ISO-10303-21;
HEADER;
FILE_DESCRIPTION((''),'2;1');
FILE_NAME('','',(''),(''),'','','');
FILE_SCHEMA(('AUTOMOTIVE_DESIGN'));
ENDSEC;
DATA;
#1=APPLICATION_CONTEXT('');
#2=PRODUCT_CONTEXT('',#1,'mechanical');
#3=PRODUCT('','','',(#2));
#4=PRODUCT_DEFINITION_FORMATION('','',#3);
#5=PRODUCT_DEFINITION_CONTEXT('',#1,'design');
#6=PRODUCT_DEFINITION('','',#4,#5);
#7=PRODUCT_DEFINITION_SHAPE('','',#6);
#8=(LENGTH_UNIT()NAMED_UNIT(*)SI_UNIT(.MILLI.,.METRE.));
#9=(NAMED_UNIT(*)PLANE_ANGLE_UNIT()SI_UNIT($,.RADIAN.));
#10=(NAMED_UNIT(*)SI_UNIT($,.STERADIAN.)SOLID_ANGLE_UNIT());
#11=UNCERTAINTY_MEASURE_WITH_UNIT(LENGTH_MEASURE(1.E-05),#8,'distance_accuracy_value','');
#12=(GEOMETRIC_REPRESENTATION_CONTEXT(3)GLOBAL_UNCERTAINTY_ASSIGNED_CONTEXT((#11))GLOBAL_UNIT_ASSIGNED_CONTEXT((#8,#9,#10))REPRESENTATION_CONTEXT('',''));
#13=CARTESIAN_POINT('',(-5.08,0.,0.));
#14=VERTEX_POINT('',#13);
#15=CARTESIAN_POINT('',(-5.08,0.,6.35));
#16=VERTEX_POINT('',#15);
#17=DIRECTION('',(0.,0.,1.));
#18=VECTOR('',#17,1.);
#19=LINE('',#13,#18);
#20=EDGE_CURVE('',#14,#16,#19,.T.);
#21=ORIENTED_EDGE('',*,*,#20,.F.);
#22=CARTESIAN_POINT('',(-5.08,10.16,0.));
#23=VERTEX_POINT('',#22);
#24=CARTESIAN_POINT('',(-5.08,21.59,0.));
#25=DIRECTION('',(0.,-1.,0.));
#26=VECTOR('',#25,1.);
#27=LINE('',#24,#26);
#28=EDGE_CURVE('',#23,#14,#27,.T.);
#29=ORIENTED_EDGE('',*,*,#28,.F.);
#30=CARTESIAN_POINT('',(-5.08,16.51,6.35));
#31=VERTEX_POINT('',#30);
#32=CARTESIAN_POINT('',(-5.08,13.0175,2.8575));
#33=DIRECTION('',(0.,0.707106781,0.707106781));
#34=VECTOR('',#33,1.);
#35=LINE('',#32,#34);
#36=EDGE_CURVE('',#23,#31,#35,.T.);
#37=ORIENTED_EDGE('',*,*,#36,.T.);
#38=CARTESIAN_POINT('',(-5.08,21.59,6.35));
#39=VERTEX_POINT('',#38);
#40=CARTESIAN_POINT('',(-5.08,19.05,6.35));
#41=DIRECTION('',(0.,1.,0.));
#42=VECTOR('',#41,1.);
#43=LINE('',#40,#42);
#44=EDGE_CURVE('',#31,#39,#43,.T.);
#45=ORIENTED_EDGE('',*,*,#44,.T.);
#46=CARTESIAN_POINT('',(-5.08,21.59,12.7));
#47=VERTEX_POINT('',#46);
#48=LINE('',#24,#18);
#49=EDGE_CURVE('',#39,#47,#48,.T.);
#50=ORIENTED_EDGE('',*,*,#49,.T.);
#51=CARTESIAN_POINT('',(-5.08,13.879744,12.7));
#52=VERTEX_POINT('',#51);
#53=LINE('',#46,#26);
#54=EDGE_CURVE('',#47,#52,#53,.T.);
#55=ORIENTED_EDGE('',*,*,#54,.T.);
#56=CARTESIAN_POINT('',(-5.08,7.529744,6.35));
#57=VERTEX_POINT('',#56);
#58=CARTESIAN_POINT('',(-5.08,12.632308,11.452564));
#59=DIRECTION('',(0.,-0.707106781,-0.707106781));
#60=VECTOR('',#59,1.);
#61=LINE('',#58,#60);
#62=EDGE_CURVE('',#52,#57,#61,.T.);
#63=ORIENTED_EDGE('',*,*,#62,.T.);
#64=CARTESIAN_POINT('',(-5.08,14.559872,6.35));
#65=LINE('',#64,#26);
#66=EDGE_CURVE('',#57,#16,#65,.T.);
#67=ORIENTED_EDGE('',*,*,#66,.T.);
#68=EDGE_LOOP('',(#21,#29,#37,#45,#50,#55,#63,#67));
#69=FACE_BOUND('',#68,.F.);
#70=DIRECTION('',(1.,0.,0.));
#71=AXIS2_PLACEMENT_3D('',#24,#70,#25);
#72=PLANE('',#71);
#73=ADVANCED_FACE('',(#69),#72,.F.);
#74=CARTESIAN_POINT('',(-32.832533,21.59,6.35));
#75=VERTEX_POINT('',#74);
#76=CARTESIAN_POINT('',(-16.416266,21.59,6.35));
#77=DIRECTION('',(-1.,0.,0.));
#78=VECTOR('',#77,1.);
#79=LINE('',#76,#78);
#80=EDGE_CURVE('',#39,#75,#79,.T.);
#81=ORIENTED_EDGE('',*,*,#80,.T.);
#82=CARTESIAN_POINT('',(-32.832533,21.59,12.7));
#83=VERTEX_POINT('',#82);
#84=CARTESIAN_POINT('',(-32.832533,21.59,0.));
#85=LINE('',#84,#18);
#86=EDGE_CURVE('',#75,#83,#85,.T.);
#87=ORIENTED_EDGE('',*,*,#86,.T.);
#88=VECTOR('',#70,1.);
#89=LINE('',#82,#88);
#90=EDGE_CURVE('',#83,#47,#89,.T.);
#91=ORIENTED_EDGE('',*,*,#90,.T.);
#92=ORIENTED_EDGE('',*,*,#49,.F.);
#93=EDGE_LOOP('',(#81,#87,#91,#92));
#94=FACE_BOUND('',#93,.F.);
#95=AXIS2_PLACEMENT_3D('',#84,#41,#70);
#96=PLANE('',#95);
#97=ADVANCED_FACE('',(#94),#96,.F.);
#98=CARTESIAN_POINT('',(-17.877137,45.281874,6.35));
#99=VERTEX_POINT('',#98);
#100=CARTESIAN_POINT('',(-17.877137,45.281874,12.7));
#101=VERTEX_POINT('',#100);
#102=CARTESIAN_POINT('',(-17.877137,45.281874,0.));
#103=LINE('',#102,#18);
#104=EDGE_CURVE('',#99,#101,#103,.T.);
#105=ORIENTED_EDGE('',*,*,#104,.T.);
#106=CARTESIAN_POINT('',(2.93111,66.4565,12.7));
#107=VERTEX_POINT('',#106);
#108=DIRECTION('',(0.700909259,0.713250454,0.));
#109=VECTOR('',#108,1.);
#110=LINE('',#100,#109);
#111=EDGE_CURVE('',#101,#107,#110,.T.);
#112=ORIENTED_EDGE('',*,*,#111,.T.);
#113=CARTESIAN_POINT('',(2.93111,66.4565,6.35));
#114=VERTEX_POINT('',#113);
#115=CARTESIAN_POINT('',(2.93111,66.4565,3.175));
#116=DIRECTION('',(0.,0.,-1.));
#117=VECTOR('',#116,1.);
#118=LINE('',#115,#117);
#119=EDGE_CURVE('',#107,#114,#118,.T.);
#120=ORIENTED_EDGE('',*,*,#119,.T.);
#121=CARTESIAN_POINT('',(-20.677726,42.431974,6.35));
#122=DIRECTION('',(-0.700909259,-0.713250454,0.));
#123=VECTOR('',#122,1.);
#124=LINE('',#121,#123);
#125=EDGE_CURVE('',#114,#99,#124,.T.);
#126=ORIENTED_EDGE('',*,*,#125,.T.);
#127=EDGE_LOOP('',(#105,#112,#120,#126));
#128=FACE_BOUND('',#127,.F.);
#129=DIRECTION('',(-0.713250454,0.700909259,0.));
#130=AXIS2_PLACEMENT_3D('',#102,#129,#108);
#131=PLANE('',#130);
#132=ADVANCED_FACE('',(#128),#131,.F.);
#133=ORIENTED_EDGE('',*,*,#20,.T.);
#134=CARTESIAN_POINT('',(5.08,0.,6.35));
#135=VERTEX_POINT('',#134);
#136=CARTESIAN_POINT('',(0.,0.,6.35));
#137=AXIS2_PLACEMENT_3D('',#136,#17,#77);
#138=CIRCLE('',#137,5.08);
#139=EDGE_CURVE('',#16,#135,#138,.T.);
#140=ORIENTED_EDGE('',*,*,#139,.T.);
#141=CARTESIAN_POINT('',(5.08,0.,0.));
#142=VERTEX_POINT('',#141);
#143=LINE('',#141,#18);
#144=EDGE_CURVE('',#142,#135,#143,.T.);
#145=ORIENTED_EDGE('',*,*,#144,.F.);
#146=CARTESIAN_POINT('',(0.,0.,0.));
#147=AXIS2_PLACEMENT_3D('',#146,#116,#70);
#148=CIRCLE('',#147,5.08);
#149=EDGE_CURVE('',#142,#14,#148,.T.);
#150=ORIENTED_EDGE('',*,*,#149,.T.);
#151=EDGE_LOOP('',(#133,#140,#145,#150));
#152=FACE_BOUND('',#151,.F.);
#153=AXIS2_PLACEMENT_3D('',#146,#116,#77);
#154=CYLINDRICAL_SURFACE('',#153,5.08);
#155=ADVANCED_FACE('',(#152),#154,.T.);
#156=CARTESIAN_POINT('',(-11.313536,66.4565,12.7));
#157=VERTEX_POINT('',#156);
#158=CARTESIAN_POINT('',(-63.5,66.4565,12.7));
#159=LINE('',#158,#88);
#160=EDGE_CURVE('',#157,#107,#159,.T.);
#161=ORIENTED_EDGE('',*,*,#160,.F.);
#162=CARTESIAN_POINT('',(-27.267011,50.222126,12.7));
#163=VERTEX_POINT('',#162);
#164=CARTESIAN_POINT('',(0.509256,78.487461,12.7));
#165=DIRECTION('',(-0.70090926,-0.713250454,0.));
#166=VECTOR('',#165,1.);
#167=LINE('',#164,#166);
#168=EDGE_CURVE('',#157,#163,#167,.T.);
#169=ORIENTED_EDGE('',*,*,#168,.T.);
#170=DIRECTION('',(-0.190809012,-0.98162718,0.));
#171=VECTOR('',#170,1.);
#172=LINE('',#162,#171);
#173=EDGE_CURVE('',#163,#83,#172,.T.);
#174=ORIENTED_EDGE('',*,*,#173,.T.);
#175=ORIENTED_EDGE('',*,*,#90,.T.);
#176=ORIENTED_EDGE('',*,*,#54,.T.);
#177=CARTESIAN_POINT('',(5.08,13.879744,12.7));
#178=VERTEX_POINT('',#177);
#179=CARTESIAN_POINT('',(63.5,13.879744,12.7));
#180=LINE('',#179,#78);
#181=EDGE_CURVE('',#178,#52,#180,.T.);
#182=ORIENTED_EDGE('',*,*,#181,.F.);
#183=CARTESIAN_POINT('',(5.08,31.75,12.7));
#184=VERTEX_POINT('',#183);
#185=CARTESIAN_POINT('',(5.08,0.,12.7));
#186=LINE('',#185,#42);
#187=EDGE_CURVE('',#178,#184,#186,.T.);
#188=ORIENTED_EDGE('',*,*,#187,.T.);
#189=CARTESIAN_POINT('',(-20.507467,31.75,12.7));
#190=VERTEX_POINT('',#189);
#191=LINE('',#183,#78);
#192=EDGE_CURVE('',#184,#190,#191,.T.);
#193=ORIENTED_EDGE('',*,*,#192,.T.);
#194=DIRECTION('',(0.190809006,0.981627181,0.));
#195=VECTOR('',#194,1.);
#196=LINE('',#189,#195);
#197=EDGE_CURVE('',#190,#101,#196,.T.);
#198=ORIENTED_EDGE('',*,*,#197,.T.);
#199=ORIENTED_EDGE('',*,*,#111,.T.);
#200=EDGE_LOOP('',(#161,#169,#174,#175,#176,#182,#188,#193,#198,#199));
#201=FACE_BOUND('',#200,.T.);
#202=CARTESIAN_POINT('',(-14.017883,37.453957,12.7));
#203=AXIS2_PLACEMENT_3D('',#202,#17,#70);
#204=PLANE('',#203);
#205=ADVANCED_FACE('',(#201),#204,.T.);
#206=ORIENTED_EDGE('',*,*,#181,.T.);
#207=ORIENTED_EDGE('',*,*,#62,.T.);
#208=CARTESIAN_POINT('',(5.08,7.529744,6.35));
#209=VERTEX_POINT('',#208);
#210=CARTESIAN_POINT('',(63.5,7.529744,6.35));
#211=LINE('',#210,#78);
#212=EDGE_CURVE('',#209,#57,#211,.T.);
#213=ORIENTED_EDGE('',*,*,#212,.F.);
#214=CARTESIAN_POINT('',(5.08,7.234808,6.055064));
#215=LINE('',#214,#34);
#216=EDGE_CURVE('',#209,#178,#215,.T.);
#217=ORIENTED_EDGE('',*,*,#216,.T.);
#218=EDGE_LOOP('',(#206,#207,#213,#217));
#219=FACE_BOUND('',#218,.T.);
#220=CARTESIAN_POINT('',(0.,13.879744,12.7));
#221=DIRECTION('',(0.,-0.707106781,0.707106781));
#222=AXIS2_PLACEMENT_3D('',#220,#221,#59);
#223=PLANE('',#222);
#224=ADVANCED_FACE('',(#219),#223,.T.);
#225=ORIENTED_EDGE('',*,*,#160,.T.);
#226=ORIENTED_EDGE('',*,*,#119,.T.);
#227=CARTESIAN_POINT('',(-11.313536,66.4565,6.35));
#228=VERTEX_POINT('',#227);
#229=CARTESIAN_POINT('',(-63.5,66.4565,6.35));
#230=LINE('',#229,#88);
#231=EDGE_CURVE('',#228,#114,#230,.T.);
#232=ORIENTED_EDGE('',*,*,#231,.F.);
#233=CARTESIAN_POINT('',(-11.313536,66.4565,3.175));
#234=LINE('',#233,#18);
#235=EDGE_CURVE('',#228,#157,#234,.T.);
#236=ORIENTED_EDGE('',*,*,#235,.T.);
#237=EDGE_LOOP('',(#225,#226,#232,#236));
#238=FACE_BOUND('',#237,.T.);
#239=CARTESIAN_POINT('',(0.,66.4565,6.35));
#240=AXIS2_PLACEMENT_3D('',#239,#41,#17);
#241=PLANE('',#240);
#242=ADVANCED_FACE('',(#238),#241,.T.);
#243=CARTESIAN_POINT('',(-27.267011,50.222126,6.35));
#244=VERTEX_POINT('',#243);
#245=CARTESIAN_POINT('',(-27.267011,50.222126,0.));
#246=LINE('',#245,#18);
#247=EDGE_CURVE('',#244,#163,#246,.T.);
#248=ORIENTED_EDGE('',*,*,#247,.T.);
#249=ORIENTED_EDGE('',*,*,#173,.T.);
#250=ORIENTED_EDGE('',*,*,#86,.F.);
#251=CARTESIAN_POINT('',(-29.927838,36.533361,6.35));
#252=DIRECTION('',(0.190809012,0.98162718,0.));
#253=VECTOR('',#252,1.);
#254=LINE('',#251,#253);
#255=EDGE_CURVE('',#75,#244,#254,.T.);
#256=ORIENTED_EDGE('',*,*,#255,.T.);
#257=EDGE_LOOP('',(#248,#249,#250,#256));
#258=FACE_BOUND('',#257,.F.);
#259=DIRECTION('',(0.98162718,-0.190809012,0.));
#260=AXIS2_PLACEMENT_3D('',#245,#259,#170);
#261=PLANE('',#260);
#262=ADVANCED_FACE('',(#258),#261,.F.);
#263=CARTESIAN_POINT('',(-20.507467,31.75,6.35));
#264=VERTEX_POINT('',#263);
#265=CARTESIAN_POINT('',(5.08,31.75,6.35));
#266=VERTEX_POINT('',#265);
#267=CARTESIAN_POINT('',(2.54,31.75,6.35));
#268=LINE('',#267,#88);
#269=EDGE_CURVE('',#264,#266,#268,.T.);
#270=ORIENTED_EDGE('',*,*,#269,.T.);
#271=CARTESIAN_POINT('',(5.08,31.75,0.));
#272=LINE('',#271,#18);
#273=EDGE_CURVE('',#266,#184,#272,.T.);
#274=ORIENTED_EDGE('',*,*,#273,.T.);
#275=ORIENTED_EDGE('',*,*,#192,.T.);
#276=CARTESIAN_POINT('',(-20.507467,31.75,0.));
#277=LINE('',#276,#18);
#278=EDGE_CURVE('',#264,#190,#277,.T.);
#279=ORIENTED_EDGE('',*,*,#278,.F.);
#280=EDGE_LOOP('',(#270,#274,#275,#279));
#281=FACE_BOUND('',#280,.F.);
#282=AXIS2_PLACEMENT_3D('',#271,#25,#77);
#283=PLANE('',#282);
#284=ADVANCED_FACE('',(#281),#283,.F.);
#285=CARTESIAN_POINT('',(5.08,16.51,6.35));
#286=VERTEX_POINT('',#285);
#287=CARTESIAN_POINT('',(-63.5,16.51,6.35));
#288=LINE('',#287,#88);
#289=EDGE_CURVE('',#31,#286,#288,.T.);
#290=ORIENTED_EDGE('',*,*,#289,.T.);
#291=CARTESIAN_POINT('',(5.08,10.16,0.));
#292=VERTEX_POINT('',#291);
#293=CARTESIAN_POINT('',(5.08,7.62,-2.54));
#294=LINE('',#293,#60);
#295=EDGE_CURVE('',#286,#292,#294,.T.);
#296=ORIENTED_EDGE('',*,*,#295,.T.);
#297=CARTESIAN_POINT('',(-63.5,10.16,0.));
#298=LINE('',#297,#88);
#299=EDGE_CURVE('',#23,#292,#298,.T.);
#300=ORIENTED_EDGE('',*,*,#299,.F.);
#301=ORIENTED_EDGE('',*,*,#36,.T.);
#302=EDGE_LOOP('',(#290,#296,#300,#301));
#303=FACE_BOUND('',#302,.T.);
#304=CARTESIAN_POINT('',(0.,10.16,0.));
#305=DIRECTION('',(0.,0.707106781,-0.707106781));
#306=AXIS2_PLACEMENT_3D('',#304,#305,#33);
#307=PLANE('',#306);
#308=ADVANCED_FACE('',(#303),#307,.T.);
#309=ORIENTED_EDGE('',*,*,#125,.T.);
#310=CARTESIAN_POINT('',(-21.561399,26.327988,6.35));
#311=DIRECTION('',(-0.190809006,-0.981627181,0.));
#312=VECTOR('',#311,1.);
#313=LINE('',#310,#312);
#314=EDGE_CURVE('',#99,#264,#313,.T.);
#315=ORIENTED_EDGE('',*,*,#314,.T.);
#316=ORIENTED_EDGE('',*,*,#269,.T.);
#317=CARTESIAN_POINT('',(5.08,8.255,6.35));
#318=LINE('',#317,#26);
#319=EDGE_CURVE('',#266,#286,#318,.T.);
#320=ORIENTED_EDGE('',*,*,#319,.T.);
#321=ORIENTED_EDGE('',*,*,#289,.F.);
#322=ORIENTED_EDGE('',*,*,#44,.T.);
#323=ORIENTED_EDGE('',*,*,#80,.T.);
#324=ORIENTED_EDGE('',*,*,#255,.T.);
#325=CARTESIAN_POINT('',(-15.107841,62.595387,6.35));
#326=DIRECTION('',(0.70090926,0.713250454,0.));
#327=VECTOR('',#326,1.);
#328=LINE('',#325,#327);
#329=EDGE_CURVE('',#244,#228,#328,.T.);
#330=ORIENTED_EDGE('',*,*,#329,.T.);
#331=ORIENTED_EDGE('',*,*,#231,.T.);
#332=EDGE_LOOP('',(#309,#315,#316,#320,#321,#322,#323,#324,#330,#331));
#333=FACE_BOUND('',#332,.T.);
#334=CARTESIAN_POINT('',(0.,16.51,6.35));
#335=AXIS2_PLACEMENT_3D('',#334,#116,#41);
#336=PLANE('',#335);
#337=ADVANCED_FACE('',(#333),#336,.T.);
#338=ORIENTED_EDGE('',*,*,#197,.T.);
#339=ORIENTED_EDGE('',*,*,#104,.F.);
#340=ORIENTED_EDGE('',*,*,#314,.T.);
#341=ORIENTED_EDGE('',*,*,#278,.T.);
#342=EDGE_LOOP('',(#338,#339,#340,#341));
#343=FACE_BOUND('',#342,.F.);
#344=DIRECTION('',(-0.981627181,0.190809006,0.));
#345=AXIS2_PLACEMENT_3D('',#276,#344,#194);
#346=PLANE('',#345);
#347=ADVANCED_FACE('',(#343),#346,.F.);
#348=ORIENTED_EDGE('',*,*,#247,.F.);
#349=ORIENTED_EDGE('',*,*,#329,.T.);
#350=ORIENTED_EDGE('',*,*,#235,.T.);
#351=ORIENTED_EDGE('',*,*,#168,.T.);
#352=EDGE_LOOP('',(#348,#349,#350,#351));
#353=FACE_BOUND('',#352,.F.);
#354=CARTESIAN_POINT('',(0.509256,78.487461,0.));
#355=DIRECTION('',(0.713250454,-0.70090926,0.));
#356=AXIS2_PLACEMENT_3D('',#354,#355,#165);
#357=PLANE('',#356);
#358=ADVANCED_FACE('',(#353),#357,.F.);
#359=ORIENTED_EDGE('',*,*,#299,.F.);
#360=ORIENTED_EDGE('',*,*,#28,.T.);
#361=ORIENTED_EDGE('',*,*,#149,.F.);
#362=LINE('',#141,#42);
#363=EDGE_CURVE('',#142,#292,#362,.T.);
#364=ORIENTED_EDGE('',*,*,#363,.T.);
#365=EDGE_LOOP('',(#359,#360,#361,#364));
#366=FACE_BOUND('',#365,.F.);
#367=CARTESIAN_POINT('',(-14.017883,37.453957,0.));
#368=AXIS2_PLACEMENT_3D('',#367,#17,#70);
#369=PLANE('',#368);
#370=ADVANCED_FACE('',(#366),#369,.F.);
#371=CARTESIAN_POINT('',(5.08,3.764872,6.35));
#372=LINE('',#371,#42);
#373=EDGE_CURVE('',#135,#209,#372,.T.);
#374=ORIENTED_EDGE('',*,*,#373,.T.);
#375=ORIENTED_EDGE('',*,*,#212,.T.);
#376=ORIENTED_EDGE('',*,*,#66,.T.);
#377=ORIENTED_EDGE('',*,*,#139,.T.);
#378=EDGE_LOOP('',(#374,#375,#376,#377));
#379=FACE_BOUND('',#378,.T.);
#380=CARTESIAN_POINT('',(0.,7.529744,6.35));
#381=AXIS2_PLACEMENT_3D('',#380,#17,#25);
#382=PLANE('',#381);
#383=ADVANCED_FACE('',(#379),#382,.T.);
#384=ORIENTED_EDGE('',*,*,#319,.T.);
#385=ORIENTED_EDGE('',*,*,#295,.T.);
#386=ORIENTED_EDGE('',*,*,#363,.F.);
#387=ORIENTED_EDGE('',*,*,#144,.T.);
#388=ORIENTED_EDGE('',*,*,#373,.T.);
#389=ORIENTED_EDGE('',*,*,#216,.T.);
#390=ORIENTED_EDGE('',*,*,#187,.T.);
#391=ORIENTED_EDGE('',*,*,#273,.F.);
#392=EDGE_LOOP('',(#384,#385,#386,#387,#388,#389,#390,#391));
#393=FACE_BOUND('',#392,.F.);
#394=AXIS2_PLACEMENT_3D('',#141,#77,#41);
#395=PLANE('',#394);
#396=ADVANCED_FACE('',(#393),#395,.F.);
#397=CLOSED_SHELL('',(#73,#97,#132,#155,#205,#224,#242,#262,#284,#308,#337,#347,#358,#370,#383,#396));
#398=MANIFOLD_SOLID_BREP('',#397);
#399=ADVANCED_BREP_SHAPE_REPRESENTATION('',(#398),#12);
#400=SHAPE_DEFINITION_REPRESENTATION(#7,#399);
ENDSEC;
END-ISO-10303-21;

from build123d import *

# Parameters (mm, degrees)
F2_DEPTH = 12.7
F3_DEPTH = 63.5


with BuildPart() as f2:
    # F0 (on Top) → F2 (new body)
    with BuildSketch(Plane.XY):
        with BuildLine():
            ThreePointArc((-5.08, 0), (-3.592102, 3.592102), (0, 5.08))
            Line((0, 5.08), (0, 26.67))
            Line((0, 26.67), (-26.67, 26.67))
            Line((-26.67, 26.67), (-22.572074, 47.752))
            Line((-22.572074, 47.752), (0.57195, 71.30353))
            ThreePointArc((0.57195, 71.30353), (-0.947238, 74.882511), (0.509256, 78.487461))
            Line((0.509256, 78.487461), (-27.267011, 50.222126))
            Line((-27.267011, 50.222126), (-32.832533, 21.59))
            Line((-32.832533, 21.59), (-5.08, 21.59))
            Line((-5.08, 21.59), (-5.08, 0))
        make_face()
        with BuildLine():
            Line((0, 26.67), (0, 5.08))
            ThreePointArc((0, 5.08), (3.592102, 3.592102), (5.08, 0))
            Line((5.08, 0), (5.08, 31.75))
            Line((5.08, 31.75), (-20.507467, 31.75))
            Line((-20.507467, 31.75), (-17.877137, 45.281874))
            Line((-17.877137, 45.281874), (7.755881, 71.366223))
            ThreePointArc((7.755881, 71.366223), (4.176899, 69.847036), (0.57195, 71.30353))
            Line((0.57195, 71.30353), (-22.572074, 47.752))
            Line((-22.572074, 47.752), (-26.67, 26.67))
            Line((-26.67, 26.67), (0, 26.67))
        make_face()
        with BuildLine():
            ThreePointArc((5.08, 0), (3.592102, 3.592102), (0, 5.08))
            ThreePointArc((0, 5.08), (-3.592102, 3.592102), (-5.08, 0))
            ThreePointArc((-5.08, 0), (0, -5.08), (5.08, 0))
        make_face()
        with BuildLine():
            ThreePointArc((0.509256, 78.487461), (-0.947238, 74.882511), (0.57195, 71.30353))
            ThreePointArc((0.57195, 71.30353), (4.176899, 69.847036), (7.755881, 71.366223))
            ThreePointArc((7.755881, 71.366223), (8.834314, 73.003307), (9.212569, 74.926842))
            ThreePointArc((9.212569, 74.926842), (6.056104, 79.628588), (0.509256, 78.487461))
        make_face()
    extrude(amount=F2_DEPTH)

    # F1 (on Right) → F3 (intersect, symmetric)
    with BuildSketch(Plane.YZ):
        Polygon((-5.08, 6.35), (-5.08, 0), (10.16, 0), (16.51, 6.35), (66.4565, 6.35), (66.4565, 12.7), (13.879744, 12.7), (7.529744, 6.35), align=None)
    extrude(amount=F3_DEPTH, both=True, mode=Mode.INTERSECT)


solid = f2.part
